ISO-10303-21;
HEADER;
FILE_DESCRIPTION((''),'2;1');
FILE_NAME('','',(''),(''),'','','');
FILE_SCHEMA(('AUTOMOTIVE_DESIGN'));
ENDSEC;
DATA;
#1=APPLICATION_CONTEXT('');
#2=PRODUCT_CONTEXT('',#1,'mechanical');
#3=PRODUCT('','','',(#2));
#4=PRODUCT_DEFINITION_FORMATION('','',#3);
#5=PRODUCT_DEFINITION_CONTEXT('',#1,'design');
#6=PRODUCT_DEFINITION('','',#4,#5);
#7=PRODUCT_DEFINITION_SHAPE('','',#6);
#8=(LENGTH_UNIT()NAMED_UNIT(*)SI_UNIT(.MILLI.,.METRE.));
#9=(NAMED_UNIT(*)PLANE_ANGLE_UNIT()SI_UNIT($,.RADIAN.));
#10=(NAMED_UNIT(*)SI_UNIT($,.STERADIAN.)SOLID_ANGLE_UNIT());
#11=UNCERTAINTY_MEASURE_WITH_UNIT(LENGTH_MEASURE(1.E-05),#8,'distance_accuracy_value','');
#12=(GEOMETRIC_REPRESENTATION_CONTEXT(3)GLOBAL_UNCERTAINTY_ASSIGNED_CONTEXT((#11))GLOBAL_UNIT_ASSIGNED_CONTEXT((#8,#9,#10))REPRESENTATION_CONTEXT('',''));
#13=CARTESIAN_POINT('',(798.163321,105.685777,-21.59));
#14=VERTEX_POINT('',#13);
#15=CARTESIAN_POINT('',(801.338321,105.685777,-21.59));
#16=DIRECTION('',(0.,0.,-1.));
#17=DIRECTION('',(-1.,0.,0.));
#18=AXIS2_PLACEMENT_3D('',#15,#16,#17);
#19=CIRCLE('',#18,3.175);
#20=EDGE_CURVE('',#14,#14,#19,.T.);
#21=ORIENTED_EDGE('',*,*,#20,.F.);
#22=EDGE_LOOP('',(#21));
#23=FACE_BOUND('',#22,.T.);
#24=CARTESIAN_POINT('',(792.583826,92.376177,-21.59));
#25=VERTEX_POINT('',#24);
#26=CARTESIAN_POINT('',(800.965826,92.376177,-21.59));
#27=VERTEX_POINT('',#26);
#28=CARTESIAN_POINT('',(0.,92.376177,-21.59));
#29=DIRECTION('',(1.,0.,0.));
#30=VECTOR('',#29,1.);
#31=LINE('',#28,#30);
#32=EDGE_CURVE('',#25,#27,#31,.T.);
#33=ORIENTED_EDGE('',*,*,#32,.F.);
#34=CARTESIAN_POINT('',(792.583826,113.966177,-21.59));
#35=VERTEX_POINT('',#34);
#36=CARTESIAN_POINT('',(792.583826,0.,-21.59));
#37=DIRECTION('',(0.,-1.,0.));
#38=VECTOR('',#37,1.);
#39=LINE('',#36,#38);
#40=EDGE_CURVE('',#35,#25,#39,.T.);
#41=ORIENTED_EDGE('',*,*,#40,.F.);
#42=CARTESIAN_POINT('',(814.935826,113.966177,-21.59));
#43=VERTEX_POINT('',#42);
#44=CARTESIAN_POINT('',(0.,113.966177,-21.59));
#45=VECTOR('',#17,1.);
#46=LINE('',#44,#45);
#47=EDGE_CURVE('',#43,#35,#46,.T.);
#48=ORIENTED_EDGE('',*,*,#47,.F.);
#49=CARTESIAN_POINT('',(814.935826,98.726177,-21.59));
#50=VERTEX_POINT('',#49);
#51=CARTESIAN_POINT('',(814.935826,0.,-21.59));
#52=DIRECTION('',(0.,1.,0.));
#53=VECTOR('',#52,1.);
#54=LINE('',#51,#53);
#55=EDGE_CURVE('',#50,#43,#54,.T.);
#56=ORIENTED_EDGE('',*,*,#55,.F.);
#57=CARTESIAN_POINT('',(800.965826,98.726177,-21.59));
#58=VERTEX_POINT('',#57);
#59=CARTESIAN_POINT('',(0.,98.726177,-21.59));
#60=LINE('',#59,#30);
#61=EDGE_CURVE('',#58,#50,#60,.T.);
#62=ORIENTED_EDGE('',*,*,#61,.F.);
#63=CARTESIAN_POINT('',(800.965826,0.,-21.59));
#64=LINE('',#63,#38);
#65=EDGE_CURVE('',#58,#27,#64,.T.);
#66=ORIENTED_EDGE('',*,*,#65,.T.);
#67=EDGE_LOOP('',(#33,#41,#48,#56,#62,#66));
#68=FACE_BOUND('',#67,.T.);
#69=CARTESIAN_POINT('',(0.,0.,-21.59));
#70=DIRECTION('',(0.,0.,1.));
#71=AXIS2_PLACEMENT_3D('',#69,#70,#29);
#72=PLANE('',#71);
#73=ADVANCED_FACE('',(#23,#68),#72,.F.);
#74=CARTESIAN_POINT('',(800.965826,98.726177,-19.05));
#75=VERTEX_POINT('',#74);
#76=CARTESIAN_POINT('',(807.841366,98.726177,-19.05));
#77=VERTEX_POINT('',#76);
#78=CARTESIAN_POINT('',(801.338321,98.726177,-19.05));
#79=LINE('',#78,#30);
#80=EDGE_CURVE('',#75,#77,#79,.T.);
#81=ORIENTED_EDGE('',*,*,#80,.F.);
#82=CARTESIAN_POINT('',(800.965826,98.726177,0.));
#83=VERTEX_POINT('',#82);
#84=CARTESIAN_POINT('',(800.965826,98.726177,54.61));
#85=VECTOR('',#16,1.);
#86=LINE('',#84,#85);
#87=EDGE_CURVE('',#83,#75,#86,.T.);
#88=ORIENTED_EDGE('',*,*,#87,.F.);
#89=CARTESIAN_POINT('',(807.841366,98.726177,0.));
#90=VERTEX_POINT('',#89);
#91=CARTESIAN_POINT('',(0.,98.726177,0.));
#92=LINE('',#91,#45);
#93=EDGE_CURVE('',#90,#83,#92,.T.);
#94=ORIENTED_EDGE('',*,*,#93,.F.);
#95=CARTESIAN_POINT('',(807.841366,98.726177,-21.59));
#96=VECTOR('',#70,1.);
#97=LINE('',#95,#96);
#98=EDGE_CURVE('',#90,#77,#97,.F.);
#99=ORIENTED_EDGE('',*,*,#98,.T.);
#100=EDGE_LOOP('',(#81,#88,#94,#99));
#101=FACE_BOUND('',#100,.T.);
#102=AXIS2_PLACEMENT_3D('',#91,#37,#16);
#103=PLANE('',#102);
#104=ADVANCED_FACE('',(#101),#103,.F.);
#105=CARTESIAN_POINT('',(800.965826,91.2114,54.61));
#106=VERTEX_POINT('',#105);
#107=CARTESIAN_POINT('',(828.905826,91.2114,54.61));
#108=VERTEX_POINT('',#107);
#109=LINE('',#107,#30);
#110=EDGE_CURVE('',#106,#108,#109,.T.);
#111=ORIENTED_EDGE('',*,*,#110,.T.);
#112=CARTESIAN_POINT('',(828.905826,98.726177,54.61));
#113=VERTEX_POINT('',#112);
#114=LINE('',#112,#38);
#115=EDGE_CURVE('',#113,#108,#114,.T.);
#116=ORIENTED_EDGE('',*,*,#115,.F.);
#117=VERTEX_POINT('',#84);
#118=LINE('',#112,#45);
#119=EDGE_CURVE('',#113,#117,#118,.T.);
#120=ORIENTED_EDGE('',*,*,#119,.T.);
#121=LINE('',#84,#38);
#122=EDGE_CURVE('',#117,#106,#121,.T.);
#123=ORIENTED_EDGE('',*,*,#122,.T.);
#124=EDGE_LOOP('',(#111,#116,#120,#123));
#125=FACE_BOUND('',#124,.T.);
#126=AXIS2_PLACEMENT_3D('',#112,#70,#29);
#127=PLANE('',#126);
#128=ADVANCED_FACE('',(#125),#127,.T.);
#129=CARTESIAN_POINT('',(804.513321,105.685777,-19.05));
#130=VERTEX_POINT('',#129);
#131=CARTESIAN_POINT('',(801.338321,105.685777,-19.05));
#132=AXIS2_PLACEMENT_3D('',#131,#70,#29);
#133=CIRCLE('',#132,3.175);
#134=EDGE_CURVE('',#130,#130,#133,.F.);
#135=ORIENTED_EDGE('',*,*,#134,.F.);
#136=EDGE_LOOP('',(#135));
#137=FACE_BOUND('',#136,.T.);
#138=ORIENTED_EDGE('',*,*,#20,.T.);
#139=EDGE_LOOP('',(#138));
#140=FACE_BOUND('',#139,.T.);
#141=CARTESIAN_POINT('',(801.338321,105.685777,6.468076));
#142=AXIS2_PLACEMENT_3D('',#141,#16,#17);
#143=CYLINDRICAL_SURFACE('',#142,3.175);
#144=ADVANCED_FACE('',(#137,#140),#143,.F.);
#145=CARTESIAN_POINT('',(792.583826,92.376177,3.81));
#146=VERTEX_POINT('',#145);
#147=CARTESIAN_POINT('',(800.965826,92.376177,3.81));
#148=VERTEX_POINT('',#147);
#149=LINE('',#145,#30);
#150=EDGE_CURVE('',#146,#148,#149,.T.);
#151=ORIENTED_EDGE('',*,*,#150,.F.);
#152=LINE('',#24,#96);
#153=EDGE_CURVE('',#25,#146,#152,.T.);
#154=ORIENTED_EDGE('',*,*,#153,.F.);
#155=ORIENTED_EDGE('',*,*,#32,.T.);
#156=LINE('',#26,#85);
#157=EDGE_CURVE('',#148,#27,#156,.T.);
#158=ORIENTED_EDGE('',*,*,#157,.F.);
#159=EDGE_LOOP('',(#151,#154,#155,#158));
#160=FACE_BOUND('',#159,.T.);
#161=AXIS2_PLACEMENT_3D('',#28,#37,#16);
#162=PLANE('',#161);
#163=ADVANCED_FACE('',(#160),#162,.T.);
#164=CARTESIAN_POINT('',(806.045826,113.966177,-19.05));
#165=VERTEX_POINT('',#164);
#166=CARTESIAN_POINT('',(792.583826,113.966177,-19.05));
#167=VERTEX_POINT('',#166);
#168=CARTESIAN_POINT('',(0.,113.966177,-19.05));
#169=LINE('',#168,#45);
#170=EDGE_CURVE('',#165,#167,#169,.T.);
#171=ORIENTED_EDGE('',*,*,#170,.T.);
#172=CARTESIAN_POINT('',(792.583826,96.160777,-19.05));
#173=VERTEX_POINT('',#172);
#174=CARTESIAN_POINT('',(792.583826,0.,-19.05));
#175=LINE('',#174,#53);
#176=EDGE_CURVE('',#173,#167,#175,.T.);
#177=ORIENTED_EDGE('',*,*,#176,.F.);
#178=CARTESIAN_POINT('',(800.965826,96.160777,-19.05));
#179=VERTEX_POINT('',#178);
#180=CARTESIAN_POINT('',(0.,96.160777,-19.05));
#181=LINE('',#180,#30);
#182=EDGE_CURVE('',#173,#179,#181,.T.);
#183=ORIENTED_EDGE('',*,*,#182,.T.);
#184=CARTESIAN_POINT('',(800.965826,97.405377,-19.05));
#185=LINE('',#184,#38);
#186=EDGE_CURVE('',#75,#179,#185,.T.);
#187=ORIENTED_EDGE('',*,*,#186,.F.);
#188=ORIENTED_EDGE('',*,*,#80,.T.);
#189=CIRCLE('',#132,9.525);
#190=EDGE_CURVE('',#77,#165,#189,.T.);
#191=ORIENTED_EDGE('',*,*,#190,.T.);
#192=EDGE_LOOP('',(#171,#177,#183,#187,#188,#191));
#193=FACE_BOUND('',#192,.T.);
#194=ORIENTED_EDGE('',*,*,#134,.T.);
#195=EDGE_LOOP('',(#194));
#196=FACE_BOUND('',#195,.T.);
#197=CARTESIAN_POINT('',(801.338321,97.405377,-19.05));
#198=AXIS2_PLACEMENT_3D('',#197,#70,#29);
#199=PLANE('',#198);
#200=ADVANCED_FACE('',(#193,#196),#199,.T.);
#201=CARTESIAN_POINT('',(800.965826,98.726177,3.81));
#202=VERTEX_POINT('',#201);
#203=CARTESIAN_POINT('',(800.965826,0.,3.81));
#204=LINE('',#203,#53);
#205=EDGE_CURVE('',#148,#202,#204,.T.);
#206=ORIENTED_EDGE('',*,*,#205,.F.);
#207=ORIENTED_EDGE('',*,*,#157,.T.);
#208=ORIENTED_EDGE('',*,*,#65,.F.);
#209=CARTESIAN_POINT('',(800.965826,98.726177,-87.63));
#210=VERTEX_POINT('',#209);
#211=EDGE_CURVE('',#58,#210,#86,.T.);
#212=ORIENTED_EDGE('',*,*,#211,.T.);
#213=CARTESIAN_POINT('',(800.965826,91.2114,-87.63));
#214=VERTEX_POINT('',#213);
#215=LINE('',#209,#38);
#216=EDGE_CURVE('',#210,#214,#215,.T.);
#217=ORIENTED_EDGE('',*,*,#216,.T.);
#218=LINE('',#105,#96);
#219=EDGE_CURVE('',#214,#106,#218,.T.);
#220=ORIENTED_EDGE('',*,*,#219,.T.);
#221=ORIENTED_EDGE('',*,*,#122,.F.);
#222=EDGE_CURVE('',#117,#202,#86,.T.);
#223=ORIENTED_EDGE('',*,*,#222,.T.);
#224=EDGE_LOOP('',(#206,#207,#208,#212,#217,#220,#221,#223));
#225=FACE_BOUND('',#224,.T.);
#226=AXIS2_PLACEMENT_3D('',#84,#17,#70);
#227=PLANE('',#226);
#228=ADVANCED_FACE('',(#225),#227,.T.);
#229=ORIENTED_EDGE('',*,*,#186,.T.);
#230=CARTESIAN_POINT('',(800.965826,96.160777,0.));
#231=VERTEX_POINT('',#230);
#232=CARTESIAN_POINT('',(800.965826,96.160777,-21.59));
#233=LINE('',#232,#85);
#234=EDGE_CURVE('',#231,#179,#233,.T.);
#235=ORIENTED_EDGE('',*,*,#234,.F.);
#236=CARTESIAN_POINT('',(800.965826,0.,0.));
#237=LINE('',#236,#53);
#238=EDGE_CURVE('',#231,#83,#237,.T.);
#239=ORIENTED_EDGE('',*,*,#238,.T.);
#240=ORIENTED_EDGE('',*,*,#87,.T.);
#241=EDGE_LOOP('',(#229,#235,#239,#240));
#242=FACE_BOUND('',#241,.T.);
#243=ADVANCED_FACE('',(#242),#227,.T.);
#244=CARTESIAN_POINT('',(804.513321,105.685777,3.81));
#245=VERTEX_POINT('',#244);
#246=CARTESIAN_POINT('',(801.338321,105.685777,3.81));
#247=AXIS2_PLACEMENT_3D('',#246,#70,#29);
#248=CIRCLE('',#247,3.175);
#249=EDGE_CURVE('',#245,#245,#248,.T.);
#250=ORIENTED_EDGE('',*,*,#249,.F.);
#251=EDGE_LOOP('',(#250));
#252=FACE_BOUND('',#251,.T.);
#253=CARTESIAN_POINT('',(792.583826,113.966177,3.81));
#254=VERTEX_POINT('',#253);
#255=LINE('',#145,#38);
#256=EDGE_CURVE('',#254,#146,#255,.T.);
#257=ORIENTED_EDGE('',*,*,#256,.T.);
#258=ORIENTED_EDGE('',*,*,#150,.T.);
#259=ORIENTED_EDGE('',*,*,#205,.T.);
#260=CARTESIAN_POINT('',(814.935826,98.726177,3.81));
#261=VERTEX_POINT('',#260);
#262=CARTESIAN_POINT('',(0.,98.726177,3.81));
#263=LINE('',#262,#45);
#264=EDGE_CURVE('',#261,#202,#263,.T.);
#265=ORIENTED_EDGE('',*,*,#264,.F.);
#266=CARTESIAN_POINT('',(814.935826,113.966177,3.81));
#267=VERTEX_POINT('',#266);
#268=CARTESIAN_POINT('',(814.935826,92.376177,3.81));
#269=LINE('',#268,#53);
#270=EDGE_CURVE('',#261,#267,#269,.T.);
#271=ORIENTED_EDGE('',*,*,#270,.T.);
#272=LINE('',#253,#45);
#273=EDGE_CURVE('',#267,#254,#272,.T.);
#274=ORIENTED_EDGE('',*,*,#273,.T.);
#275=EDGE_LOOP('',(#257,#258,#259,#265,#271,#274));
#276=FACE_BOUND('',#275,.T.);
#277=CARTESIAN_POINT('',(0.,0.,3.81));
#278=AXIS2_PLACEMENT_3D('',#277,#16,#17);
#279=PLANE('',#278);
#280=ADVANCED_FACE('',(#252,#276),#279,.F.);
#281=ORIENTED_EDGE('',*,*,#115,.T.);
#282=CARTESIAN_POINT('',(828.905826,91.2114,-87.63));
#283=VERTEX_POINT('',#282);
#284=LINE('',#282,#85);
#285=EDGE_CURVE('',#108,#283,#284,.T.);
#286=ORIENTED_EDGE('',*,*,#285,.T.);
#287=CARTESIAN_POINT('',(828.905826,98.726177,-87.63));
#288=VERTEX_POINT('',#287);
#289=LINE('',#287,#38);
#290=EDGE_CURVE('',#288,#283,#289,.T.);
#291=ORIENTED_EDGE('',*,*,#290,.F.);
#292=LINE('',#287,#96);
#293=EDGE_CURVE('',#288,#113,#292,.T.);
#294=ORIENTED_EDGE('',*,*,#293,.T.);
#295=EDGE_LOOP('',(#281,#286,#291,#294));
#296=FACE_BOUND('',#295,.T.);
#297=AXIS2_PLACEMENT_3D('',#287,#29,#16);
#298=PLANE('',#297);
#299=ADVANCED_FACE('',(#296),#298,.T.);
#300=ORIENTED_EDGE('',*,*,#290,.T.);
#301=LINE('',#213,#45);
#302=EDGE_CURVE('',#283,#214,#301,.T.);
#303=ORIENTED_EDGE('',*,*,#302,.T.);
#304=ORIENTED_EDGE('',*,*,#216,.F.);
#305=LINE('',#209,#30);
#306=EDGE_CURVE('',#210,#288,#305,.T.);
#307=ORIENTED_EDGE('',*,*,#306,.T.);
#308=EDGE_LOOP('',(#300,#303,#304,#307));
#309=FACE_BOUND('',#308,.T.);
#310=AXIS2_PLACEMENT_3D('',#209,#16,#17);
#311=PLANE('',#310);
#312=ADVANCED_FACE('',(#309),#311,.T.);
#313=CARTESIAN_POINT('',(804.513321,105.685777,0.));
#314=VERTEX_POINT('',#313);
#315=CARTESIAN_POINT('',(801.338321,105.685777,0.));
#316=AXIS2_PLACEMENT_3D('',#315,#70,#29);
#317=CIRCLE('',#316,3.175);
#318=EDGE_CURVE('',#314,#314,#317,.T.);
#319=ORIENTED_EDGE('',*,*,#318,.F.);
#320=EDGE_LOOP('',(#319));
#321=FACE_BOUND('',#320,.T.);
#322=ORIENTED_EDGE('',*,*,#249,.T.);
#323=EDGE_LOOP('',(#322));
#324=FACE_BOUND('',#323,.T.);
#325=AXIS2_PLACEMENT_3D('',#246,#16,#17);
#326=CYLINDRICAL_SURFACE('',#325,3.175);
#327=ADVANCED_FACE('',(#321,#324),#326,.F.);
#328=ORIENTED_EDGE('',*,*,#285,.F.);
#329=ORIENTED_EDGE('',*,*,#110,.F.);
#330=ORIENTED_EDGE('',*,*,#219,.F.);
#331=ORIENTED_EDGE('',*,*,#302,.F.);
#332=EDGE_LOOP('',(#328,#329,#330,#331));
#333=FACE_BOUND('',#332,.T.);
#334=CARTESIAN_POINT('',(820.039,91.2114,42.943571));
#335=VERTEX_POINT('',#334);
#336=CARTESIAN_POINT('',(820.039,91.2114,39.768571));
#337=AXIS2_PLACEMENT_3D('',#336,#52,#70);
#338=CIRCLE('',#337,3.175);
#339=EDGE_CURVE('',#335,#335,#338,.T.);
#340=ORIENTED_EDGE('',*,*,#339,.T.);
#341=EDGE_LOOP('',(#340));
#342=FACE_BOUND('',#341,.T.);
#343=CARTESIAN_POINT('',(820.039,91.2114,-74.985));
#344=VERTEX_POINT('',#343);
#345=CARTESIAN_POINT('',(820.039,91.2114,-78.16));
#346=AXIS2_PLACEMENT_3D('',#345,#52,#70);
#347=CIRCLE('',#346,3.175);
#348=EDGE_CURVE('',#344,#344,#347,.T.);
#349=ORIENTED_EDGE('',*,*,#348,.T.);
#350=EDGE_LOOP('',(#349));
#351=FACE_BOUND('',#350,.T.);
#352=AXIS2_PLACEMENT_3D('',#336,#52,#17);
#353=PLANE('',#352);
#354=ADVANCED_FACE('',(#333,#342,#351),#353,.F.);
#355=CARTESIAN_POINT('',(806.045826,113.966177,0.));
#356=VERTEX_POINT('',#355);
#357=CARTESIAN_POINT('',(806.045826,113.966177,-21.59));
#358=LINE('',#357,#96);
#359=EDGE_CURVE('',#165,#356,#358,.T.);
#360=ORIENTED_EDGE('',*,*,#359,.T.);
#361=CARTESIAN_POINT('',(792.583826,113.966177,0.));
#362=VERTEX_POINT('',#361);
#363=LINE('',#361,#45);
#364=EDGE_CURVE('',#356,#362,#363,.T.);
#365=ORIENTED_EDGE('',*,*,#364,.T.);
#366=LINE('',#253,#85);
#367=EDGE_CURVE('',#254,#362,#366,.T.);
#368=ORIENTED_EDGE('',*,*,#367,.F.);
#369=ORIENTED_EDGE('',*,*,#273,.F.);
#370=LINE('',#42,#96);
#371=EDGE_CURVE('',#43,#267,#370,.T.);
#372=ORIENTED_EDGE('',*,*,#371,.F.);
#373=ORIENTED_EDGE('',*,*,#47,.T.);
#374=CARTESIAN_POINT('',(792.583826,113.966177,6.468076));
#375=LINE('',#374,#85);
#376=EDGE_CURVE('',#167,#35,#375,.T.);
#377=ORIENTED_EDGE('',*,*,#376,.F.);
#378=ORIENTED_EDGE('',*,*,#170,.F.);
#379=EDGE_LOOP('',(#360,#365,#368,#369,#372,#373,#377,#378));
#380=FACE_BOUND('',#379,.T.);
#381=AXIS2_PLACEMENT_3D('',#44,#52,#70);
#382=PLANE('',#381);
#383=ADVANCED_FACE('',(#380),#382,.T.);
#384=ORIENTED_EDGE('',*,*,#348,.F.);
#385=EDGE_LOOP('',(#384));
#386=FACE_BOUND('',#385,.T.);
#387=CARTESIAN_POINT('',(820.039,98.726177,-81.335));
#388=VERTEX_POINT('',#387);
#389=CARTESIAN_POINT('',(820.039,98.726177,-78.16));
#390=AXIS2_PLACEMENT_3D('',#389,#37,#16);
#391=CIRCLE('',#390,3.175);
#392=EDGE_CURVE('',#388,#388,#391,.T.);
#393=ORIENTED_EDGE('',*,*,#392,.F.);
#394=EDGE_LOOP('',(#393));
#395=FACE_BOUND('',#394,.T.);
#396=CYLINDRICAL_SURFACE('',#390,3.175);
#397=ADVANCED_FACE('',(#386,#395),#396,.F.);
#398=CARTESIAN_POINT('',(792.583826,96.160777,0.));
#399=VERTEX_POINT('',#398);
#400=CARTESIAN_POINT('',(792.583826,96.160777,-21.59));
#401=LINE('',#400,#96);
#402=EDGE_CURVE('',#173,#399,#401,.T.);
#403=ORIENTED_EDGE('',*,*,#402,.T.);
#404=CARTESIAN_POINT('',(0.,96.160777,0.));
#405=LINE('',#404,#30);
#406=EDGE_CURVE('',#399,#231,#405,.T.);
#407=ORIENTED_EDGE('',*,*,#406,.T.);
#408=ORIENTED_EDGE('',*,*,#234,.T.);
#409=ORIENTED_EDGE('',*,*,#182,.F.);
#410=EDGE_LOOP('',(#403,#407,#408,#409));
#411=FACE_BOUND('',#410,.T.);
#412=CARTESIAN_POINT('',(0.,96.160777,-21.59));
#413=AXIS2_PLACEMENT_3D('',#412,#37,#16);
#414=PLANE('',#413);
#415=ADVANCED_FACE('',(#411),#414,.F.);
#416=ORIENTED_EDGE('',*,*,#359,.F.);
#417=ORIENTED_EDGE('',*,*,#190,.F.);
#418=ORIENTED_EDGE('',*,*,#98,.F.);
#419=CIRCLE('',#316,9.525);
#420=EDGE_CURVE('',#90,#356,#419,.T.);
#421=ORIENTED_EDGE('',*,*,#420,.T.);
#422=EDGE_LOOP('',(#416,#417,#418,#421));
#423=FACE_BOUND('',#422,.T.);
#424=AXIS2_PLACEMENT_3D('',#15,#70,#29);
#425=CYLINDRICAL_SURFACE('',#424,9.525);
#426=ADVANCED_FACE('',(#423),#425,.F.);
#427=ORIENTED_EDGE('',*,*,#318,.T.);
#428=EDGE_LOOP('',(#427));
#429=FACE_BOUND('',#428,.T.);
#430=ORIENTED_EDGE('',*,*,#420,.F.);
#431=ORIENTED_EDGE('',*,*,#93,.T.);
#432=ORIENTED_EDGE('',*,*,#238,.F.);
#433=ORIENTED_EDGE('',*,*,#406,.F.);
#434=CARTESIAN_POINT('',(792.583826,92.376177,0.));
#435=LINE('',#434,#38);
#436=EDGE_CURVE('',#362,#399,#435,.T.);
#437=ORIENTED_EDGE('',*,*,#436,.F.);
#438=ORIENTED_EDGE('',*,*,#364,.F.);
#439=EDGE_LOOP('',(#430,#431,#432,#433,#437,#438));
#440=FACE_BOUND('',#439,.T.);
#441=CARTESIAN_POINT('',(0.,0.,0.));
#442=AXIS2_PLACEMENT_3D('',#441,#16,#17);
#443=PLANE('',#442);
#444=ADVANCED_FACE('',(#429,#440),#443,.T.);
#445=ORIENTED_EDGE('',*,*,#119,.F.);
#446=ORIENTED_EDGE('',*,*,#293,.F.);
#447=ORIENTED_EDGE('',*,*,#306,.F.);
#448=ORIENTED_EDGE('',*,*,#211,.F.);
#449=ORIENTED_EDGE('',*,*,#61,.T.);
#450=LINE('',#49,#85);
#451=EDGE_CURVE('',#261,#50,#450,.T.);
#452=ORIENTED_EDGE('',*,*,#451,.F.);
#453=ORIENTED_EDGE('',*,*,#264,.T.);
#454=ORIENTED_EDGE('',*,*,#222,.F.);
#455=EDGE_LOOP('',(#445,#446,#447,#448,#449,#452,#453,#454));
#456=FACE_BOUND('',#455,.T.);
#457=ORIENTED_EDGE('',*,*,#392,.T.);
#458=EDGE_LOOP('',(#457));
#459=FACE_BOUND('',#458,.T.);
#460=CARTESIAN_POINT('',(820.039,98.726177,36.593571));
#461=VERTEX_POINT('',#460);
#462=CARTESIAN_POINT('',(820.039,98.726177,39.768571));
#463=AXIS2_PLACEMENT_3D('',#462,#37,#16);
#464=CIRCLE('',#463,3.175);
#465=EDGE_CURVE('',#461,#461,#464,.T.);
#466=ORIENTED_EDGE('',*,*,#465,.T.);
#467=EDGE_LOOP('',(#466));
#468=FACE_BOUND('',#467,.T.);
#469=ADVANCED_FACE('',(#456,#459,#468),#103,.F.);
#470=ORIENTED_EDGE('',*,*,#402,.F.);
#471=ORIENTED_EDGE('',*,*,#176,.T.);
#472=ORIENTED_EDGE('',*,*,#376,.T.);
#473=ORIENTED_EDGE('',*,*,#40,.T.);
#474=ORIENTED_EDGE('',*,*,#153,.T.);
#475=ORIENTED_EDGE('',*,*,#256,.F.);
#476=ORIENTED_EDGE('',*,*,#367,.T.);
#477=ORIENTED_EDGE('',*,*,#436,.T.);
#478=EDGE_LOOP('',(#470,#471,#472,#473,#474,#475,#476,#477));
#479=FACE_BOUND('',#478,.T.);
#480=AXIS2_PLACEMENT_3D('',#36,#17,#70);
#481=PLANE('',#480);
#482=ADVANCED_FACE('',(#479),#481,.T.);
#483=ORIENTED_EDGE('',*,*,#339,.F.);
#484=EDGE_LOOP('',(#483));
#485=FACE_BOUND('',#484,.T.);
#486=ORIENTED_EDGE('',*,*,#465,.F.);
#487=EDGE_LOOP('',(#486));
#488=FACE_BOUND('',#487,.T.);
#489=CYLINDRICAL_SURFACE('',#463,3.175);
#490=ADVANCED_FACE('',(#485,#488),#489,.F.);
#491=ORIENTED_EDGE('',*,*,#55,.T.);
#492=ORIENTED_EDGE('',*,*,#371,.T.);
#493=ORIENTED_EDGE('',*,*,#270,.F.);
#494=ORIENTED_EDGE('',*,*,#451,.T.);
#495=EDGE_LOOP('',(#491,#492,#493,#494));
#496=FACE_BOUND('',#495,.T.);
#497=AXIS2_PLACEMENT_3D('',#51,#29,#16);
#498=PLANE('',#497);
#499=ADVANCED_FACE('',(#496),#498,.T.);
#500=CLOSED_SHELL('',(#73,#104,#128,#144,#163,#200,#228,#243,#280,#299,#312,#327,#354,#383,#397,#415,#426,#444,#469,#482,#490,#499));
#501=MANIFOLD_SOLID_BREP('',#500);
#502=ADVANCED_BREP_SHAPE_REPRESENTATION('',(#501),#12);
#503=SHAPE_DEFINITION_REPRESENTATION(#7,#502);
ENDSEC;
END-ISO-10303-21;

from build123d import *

# Parameters (mm, degrees)
BOSS_EXTRUDE1_DEPTH      = 21.59
SKETCH2_W                = 22.352
SKETCH2_H                = 21.59
SKETCH2_R                = 3.175
BOSS_EXTRUDE2_DEPTH      = 3.81
BOSS_EXTRUDE3_START      = -2.54
SKETCH3_R                = 3.175
BOSS_EXTRUDE3_DEPTH      = 2.54
BOSS_EXTRUDE4_DEPTH      = 1.164777
BOSS_EXTRUDE4_DEPTH_BACK = 6.35
SKETCH4_W                = 27.94
SKETCH4_H                = 142.24
SKETCH4_R                = 3.175


with BuildPart() as part:
    # Sketch1 → Boss-Extrude1 (new body)
    with BuildSketch(Plane.XY):
        with BuildLine():
            Line((801.338321143, 96.160777143), (792.583825879, 96.160777143))
            Line((792.583825879, 96.160777143), (792.583825879, 92.376177143))
            Line((792.583825879, 92.376177143), (814.935825879, 92.376177143))
            Line((814.935825879, 92.376177143), (814.935825879, 113.966177143))
            Line((814.935825879, 113.966177143), (806.045825879, 113.966177143))
            ThreePointArc((806.045825879, 113.966177143), (810.863321143, 105.685777143), (806.045825879, 97.405377143))
            ThreePointArc((806.045825879, 97.405377143), (803.772947911, 96.477182381), (801.338321143, 96.160777143))
        make_face()
    extrude(amount=-BOSS_EXTRUDE1_DEPTH)

    # Sketch2 → Boss-Extrude2 (add)
    with BuildSketch(Plane.XY):
        with Locations((803.759825879, 103.171177143)):
            Rectangle(SKETCH2_W, SKETCH2_H)
        with Locations((801.338321143, 105.685777143)):
            Circle(SKETCH2_R, mode=Mode.SUBTRACT)
    extrude(amount=BOSS_EXTRUDE2_DEPTH)

    # Sketch3 → Boss-Extrude3 (add)
    with BuildSketch(Plane(origin=(0, 0, -21.59), x_dir=(-1, 0, 0), z_dir=(0, 0, -1)).offset(BOSS_EXTRUDE3_START)):
        with BuildLine():
            Line((-801.338321143, 96.160777143), (-792.583825879, 96.160777143))
            Line((-792.583825879, 96.160777143), (-792.583825879, 113.966177143))
            Line((-792.583825879, 113.966177143), (-806.045825879, 113.966177143))
            ThreePointArc((-806.045825879, 113.966177143), (-810.546915906, 103.251150375), (-801.338321143, 96.160777143))
        make_face()
        with Locations(Location((-801.338321143, 105.685777143, 0), (0, 0, 180))):
            Circle(SKETCH3_R, mode=Mode.SUBTRACT)
    extrude(amount=BOSS_EXTRUDE3_DEPTH)

    # Sketch4 → Boss-Extrude4 (add, two sides: drawn at the far end of the back side and taken through both)
    with BuildSketch(Plane.XZ.offset(-92.376177143).offset(-BOSS_EXTRUDE4_DEPTH_BACK)):
        with Locations((814.935825879, -16.51)):
            Rectangle(SKETCH4_W, SKETCH4_H)
        with Locations(Location((820.039, 39.768571429, 0), (0, 0, 270))):
            Circle(SKETCH4_R, mode=Mode.SUBTRACT)
        with Locations(Location((820.039, -78.16, 0), (0, 0, 270))):
            Circle(SKETCH4_R, mode=Mode.SUBTRACT)
    extrude(amount=BOSS_EXTRUDE4_DEPTH + BOSS_EXTRUDE4_DEPTH_BACK)


solid = part.part
